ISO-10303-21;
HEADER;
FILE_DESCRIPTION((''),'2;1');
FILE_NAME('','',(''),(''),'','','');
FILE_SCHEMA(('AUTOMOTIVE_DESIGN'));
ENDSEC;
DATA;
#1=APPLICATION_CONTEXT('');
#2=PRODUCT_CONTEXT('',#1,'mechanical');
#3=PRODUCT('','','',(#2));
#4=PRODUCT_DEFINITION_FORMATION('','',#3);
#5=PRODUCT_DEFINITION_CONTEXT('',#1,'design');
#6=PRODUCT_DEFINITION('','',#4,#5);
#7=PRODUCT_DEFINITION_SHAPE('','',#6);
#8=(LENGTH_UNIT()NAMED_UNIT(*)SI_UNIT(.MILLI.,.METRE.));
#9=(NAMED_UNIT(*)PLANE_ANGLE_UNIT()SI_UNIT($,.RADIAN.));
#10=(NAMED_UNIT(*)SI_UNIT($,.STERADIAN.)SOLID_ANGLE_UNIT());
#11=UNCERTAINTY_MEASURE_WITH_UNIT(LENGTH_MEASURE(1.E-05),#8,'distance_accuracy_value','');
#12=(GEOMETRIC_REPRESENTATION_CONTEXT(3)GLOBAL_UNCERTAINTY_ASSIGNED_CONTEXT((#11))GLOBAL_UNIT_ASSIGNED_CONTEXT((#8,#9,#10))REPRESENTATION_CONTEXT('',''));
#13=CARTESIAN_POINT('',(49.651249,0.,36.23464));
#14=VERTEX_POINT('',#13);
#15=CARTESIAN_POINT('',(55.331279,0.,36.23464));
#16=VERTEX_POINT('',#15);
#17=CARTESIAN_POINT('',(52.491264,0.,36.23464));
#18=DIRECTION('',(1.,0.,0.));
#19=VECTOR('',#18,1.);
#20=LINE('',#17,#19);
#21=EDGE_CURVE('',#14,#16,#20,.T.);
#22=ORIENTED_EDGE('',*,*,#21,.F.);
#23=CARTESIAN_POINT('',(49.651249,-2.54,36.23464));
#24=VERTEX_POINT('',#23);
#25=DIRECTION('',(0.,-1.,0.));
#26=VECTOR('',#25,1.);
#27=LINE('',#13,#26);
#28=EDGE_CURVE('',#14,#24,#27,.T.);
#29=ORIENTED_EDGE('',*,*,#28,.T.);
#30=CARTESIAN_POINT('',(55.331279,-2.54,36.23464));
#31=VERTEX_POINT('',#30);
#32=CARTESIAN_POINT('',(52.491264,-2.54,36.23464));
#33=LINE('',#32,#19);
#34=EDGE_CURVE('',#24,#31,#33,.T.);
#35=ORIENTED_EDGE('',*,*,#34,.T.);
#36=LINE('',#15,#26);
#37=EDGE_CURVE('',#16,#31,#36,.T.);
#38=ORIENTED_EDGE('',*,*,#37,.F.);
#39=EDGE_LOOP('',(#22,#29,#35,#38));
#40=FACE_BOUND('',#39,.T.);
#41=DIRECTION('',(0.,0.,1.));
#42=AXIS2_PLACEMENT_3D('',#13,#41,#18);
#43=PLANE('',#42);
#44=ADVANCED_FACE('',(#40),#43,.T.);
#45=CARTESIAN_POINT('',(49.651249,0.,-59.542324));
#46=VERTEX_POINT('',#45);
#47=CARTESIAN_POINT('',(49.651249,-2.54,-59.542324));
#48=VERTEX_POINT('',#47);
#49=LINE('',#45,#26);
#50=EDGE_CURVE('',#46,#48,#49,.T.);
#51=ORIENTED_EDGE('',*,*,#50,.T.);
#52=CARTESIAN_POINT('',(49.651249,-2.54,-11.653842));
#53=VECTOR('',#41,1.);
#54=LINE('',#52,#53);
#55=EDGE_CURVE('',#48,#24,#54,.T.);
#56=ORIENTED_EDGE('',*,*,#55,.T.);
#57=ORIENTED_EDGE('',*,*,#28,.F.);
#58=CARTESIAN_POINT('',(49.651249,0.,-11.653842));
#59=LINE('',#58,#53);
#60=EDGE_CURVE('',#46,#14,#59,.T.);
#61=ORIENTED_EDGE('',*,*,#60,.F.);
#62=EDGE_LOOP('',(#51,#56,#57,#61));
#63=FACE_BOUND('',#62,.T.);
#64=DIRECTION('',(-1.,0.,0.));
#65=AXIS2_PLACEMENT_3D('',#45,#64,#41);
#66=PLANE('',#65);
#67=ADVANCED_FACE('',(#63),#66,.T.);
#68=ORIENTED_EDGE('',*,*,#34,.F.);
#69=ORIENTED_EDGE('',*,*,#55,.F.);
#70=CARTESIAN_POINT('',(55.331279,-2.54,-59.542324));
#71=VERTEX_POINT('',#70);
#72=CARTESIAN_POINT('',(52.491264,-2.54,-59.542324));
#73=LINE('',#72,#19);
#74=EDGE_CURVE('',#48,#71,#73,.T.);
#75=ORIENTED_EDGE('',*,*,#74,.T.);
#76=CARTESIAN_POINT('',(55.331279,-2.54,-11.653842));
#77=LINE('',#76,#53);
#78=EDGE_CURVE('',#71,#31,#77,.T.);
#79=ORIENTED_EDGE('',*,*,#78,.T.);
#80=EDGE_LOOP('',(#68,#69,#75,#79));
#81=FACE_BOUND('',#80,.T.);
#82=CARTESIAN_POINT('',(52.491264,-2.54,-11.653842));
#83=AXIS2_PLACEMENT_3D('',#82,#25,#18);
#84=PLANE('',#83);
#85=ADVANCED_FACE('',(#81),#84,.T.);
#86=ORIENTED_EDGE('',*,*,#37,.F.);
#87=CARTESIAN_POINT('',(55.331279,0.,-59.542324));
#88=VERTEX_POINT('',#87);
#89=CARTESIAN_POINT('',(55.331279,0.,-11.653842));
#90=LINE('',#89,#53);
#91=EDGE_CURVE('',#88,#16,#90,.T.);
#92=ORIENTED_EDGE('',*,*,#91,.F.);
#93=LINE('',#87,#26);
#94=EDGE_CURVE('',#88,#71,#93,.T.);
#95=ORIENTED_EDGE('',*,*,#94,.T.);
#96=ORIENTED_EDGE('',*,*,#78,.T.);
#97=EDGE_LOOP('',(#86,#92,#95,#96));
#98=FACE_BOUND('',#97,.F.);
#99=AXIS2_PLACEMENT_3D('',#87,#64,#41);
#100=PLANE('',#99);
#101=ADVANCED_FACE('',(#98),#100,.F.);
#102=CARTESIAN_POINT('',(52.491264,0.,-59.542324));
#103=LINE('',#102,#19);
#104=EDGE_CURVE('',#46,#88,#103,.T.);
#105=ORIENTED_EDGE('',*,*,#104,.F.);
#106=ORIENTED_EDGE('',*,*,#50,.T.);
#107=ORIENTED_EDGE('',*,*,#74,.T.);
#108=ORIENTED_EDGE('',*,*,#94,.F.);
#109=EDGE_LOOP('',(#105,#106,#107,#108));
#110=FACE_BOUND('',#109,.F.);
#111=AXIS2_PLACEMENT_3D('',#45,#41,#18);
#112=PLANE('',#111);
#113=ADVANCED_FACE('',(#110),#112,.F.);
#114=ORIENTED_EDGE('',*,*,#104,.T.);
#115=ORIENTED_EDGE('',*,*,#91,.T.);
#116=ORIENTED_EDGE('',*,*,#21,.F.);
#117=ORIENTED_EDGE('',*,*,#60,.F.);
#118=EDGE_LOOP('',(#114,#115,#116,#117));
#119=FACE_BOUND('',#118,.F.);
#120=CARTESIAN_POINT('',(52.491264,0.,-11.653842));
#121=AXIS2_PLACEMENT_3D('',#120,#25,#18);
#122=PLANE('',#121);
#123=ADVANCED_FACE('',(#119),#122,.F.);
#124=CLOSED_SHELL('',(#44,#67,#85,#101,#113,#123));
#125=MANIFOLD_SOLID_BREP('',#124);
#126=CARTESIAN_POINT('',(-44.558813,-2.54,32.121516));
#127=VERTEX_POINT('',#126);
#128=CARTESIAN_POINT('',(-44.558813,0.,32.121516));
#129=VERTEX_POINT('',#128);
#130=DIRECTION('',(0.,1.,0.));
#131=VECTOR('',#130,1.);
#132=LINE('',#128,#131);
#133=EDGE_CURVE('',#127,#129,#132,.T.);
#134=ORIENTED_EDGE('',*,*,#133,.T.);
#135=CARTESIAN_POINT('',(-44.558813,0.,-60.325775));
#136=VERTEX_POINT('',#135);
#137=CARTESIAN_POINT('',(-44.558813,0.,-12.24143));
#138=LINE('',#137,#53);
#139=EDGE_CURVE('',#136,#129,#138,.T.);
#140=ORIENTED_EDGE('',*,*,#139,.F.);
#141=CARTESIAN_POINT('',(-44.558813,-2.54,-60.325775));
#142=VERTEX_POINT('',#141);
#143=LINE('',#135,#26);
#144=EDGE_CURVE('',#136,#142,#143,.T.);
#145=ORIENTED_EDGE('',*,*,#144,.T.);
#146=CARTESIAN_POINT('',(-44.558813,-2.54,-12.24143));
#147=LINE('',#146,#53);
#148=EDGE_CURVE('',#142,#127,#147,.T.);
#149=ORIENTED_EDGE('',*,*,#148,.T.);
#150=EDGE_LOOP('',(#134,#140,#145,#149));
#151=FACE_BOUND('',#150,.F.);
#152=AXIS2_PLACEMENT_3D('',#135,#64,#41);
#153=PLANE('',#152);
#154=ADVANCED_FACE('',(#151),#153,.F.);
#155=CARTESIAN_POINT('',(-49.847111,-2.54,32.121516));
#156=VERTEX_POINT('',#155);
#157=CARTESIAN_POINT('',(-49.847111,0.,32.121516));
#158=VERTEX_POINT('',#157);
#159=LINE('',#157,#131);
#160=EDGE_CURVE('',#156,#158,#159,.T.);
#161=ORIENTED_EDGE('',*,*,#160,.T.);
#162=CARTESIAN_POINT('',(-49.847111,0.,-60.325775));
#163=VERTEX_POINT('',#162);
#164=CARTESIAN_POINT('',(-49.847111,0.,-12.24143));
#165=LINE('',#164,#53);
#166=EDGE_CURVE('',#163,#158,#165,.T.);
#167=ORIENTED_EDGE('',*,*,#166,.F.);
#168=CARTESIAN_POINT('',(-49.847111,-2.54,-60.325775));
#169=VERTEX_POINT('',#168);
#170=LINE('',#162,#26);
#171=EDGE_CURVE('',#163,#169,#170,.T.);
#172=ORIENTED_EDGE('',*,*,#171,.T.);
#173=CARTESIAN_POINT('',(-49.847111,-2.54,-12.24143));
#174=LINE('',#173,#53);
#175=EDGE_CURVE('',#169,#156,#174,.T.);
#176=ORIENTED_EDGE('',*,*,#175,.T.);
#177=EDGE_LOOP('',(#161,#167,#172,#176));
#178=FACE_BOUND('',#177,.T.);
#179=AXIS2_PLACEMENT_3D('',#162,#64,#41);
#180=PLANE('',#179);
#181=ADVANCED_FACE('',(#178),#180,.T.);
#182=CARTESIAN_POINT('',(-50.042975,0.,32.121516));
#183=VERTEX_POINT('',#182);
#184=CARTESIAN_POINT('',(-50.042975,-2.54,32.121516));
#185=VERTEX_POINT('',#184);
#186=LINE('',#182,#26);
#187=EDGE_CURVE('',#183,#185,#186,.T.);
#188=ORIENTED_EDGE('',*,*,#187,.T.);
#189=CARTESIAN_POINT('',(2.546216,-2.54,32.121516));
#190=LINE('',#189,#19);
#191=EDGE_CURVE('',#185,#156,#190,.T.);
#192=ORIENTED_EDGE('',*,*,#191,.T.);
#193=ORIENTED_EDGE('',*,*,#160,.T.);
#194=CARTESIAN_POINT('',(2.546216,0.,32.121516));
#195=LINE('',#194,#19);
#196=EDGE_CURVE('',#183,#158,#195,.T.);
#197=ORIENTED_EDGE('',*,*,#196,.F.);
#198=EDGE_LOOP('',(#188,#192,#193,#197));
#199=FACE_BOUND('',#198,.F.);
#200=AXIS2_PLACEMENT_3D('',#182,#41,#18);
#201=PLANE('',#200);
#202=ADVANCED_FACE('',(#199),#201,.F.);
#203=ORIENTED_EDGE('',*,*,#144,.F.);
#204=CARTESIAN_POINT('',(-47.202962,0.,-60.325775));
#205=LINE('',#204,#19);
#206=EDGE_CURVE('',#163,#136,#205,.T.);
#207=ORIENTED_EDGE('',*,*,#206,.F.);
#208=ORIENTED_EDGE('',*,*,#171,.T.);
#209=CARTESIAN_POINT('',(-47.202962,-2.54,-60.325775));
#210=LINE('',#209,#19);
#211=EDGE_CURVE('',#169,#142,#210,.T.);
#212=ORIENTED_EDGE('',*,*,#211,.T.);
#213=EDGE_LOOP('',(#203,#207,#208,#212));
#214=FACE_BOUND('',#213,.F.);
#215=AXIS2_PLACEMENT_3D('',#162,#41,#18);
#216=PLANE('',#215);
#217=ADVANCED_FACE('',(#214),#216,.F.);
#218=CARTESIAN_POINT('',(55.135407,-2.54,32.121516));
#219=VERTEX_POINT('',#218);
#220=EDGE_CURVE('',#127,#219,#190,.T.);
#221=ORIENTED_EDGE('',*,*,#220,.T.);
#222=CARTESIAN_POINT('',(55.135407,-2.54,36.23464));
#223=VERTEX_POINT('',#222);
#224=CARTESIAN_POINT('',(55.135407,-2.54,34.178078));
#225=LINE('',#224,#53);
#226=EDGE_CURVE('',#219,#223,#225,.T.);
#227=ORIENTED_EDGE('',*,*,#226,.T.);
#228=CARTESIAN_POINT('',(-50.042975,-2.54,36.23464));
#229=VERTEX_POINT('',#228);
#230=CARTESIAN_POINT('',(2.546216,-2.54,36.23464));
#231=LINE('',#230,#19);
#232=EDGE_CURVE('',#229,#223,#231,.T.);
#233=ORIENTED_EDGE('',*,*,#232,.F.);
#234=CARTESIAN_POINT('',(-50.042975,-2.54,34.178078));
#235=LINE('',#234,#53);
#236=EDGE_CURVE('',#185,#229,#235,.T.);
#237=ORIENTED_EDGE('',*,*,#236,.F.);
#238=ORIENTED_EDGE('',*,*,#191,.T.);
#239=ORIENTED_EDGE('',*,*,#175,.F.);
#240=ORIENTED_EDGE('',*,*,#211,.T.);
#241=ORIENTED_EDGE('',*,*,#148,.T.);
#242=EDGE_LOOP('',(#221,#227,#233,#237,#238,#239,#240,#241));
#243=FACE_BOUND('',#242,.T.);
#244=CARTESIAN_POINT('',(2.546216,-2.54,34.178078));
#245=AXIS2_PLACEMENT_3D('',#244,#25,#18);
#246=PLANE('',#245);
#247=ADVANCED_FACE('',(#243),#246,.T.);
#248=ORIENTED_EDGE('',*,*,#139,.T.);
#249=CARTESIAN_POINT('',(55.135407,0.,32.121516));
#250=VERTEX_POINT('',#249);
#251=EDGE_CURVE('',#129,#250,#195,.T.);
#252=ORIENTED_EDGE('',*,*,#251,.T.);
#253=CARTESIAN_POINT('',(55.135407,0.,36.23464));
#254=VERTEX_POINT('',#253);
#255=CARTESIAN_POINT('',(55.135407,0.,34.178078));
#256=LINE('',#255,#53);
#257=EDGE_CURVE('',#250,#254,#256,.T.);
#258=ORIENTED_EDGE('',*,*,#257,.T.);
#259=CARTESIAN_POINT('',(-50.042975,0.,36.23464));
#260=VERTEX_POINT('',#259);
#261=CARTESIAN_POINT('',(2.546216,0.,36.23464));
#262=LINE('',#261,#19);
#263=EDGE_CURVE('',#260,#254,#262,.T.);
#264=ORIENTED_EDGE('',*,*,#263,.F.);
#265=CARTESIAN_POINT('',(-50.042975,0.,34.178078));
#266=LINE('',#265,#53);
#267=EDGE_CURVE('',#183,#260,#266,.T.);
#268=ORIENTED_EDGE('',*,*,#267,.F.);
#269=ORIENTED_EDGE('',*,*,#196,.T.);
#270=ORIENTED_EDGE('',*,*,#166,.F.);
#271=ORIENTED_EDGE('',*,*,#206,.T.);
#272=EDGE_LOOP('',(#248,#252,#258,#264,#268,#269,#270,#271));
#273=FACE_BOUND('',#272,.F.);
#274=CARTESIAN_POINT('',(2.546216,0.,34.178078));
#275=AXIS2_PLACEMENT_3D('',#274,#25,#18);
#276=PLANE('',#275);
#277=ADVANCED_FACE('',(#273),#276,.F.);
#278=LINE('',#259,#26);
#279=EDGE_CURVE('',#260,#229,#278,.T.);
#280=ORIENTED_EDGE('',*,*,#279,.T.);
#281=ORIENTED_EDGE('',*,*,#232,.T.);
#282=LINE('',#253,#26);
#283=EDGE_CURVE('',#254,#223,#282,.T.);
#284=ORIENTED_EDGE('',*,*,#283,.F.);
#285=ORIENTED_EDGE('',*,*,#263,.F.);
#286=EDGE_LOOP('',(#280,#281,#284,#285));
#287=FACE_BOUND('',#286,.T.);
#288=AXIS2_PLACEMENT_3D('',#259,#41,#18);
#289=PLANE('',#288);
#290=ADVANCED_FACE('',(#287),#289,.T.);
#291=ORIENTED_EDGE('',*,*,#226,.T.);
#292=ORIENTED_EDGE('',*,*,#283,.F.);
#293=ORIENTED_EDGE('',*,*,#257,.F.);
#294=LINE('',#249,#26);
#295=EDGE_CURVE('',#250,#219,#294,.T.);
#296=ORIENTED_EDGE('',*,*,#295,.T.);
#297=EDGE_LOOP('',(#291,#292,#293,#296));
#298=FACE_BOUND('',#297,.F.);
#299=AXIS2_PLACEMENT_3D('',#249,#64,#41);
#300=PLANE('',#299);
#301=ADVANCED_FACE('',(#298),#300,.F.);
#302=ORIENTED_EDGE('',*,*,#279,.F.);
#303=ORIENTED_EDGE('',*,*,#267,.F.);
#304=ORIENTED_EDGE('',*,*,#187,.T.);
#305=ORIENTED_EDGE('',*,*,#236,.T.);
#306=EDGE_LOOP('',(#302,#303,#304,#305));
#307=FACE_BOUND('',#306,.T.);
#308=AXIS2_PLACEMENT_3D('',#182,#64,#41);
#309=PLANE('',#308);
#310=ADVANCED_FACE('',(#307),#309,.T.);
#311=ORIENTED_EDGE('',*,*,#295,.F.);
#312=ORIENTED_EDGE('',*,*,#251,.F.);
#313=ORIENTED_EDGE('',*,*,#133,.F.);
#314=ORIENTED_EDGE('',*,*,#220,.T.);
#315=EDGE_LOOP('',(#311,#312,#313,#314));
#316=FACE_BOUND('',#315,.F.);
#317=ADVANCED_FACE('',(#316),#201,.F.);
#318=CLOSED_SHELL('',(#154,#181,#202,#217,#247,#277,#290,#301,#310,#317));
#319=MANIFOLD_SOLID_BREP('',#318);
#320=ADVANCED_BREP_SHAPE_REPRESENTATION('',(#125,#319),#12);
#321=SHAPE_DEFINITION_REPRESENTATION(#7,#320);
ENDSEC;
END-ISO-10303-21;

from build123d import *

# Parameters (mm, degrees)
F0_W     = 5.288299
F0_H     = 96.168689
F1_DEPTH = 2.54
F2_W     = 105.178383
F2_H     = 4.113123
F3_DEPTH = 2.54
F4_W     = 5.680029
F4_H     = 95.776964
F5_DEPTH = 2.54


with BuildPart() as f1:
    # F0 (on Front) → F1 (new body)
    with BuildSketch(Plane.XZ):
        with Locations((-47.202962, -12.24143)):
            Rectangle(F0_W, F0_H)
    extrude(amount=F1_DEPTH)

    # F2 (on Front) → F3 (join)
    with BuildSketch(Plane.XZ):
        with Locations((2.546216, 34.178078)):
            Rectangle(F2_W, F2_H)
    extrude(amount=F3_DEPTH)


with BuildPart() as f5:
    # F4 (on Front) → F5 (new body)
    with BuildSketch(Plane.XZ):
        with Locations((52.491264, -11.653842)):
            Rectangle(F4_W, F4_H)
    extrude(amount=F5_DEPTH)


solid = Compound([f1.part, f5.part])
